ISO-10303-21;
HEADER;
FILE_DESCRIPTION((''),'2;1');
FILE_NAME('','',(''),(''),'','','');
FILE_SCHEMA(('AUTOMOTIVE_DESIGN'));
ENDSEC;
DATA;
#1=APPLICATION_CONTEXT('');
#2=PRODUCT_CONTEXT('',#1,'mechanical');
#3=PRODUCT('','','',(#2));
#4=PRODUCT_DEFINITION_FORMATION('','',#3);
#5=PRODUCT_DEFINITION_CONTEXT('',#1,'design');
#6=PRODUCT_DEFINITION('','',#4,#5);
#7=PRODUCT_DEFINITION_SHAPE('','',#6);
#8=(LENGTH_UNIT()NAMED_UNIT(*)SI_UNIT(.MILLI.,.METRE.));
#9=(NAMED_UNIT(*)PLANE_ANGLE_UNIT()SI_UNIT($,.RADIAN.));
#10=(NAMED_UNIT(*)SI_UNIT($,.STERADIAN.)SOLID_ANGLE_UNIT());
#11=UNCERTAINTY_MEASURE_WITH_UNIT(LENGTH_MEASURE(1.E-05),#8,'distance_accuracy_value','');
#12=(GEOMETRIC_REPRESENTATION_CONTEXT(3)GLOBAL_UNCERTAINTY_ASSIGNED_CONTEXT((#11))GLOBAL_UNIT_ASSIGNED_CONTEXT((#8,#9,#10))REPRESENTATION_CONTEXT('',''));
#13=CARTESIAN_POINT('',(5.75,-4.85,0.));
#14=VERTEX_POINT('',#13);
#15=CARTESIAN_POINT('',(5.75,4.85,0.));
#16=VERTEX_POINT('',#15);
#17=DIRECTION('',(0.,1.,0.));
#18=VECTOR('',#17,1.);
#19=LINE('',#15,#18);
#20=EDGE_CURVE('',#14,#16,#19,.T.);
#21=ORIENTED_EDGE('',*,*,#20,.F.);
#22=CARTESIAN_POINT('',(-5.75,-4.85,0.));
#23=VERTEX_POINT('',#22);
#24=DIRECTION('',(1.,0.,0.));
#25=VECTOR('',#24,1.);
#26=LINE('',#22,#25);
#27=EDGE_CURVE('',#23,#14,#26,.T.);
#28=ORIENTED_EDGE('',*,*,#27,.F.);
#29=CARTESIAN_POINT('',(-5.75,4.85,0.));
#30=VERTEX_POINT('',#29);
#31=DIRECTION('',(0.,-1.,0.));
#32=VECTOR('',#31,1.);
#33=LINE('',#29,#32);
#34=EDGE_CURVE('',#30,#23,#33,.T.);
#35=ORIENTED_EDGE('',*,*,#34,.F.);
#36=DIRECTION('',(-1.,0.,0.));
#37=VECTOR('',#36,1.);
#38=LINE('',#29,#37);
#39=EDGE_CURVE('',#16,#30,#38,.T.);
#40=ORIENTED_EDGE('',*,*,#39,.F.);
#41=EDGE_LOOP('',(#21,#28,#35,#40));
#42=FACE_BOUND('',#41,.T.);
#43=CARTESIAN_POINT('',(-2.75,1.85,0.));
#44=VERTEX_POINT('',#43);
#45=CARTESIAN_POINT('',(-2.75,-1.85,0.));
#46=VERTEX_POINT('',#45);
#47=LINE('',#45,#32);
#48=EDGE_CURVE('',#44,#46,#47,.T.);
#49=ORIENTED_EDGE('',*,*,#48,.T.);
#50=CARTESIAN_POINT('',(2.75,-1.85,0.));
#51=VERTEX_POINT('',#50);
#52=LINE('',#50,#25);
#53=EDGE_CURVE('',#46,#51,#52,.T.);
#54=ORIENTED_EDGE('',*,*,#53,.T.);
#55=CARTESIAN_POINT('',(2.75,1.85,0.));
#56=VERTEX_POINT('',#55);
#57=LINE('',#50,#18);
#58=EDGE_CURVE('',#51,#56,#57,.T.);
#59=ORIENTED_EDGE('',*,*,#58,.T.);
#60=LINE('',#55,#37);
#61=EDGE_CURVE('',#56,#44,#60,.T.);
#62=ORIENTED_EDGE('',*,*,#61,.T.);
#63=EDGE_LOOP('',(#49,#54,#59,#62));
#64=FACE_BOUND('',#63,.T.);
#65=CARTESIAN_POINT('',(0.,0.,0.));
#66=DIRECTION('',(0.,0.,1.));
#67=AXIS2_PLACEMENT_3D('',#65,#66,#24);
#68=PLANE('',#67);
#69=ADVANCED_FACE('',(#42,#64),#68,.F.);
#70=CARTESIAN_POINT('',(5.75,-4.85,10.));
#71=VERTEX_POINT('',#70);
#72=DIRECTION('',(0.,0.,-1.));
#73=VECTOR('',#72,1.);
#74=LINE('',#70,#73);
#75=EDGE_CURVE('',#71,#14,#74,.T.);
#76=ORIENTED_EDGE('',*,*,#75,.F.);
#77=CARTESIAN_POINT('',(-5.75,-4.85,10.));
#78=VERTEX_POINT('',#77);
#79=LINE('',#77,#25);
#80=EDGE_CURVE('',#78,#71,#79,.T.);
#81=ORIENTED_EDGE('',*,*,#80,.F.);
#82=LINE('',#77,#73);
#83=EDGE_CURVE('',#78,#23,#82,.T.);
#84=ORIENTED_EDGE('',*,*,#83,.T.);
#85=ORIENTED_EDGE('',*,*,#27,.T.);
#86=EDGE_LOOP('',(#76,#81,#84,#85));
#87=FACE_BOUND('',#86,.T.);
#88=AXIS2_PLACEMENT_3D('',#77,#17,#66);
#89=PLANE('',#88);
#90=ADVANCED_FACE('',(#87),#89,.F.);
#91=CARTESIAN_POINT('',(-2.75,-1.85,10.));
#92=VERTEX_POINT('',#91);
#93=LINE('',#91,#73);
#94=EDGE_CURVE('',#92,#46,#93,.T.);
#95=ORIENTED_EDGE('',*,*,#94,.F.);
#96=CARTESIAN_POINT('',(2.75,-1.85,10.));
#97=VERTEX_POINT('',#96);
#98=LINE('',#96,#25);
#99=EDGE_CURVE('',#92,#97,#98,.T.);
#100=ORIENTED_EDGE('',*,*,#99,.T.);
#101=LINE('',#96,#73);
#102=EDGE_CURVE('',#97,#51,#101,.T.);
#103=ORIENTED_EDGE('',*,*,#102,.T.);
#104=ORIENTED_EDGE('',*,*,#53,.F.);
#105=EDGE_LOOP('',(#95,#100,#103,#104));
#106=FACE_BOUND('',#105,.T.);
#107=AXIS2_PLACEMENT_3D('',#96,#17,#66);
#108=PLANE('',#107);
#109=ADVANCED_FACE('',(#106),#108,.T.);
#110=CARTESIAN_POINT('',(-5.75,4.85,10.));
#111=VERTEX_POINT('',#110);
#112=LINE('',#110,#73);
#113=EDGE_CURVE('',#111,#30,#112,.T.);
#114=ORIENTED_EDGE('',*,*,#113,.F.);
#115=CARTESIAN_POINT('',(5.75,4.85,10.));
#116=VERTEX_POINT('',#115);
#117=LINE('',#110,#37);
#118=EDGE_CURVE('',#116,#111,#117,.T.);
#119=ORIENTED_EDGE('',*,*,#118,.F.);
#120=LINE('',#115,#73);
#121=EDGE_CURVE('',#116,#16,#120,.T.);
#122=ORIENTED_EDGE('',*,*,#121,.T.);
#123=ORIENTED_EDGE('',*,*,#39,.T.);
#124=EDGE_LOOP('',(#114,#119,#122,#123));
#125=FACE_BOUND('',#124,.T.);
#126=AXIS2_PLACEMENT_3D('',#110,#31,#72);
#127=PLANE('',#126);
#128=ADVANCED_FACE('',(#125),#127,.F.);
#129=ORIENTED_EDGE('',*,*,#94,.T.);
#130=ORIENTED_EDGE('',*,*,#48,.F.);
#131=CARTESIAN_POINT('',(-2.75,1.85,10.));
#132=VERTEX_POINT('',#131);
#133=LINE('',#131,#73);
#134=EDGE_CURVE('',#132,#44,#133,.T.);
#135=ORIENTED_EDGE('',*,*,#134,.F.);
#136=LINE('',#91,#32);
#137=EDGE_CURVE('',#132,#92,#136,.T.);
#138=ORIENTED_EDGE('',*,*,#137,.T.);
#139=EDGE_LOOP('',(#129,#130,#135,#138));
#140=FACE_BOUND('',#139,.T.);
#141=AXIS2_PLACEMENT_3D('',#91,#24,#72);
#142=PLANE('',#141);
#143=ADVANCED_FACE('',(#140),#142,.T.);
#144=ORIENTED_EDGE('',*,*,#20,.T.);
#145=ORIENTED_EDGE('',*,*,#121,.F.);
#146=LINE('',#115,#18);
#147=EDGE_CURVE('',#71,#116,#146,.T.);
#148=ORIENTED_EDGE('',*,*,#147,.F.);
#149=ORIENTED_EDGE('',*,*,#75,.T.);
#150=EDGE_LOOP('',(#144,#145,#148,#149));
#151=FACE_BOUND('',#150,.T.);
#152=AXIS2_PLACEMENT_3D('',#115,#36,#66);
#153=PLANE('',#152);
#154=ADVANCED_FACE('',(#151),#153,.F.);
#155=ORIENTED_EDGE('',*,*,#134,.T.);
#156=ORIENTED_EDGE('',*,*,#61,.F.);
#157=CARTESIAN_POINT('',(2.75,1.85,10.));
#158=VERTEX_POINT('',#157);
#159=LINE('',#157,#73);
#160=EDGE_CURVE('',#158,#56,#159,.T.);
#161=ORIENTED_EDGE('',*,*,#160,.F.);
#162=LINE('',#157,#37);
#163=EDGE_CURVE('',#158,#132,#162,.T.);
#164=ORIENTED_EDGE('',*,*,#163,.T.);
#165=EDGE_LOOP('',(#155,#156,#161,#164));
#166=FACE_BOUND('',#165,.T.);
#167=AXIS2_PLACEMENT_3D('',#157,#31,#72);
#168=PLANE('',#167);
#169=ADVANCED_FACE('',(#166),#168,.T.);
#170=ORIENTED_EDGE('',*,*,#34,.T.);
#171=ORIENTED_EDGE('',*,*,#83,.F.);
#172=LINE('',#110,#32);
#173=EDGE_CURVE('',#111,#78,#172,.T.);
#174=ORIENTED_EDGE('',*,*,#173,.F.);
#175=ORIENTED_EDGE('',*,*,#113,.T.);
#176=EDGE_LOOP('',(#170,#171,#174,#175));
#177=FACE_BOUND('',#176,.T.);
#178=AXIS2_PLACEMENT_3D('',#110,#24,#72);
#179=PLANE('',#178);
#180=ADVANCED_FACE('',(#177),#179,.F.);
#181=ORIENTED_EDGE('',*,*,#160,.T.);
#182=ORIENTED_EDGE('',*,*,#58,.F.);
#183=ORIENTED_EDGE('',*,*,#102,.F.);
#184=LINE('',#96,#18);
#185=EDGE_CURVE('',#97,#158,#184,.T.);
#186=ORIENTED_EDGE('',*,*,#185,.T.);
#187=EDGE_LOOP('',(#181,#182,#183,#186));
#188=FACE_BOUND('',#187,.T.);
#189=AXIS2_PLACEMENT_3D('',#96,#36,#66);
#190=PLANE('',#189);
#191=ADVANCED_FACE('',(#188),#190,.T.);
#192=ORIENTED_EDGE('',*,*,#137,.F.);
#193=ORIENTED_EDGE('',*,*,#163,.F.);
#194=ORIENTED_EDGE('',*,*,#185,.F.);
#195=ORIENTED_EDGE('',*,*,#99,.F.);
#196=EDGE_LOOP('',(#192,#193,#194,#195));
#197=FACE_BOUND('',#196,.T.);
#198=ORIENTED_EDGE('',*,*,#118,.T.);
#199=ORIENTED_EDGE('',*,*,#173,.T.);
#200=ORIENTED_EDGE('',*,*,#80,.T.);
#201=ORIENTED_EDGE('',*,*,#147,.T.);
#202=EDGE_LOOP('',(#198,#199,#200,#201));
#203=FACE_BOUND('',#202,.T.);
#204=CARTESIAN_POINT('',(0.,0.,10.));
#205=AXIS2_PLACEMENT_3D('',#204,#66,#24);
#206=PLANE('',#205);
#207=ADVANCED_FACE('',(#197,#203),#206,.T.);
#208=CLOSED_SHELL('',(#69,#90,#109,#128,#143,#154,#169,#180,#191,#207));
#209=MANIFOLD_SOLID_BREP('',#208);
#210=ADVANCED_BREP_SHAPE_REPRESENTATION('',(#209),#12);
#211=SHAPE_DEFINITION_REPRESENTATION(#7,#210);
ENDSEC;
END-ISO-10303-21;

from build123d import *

# Parameters (mm, degrees)
SKETCH1_W           = 11.5
SKETCH1_H           = 9.7
SKETCH1_W_2         = 5.5
SKETCH1_H_2         = 3.7
BOSS_EXTRUDE1_DEPTH = 10


with BuildPart() as part:
    # Sketch1 → Boss-Extrude1 (new body)
    with BuildSketch(Plane.XY):
        Rectangle(SKETCH1_W, SKETCH1_H)
        Rectangle(SKETCH1_W_2, SKETCH1_H_2, mode=Mode.SUBTRACT)
    extrude(amount=BOSS_EXTRUDE1_DEPTH)


solid = part.part
